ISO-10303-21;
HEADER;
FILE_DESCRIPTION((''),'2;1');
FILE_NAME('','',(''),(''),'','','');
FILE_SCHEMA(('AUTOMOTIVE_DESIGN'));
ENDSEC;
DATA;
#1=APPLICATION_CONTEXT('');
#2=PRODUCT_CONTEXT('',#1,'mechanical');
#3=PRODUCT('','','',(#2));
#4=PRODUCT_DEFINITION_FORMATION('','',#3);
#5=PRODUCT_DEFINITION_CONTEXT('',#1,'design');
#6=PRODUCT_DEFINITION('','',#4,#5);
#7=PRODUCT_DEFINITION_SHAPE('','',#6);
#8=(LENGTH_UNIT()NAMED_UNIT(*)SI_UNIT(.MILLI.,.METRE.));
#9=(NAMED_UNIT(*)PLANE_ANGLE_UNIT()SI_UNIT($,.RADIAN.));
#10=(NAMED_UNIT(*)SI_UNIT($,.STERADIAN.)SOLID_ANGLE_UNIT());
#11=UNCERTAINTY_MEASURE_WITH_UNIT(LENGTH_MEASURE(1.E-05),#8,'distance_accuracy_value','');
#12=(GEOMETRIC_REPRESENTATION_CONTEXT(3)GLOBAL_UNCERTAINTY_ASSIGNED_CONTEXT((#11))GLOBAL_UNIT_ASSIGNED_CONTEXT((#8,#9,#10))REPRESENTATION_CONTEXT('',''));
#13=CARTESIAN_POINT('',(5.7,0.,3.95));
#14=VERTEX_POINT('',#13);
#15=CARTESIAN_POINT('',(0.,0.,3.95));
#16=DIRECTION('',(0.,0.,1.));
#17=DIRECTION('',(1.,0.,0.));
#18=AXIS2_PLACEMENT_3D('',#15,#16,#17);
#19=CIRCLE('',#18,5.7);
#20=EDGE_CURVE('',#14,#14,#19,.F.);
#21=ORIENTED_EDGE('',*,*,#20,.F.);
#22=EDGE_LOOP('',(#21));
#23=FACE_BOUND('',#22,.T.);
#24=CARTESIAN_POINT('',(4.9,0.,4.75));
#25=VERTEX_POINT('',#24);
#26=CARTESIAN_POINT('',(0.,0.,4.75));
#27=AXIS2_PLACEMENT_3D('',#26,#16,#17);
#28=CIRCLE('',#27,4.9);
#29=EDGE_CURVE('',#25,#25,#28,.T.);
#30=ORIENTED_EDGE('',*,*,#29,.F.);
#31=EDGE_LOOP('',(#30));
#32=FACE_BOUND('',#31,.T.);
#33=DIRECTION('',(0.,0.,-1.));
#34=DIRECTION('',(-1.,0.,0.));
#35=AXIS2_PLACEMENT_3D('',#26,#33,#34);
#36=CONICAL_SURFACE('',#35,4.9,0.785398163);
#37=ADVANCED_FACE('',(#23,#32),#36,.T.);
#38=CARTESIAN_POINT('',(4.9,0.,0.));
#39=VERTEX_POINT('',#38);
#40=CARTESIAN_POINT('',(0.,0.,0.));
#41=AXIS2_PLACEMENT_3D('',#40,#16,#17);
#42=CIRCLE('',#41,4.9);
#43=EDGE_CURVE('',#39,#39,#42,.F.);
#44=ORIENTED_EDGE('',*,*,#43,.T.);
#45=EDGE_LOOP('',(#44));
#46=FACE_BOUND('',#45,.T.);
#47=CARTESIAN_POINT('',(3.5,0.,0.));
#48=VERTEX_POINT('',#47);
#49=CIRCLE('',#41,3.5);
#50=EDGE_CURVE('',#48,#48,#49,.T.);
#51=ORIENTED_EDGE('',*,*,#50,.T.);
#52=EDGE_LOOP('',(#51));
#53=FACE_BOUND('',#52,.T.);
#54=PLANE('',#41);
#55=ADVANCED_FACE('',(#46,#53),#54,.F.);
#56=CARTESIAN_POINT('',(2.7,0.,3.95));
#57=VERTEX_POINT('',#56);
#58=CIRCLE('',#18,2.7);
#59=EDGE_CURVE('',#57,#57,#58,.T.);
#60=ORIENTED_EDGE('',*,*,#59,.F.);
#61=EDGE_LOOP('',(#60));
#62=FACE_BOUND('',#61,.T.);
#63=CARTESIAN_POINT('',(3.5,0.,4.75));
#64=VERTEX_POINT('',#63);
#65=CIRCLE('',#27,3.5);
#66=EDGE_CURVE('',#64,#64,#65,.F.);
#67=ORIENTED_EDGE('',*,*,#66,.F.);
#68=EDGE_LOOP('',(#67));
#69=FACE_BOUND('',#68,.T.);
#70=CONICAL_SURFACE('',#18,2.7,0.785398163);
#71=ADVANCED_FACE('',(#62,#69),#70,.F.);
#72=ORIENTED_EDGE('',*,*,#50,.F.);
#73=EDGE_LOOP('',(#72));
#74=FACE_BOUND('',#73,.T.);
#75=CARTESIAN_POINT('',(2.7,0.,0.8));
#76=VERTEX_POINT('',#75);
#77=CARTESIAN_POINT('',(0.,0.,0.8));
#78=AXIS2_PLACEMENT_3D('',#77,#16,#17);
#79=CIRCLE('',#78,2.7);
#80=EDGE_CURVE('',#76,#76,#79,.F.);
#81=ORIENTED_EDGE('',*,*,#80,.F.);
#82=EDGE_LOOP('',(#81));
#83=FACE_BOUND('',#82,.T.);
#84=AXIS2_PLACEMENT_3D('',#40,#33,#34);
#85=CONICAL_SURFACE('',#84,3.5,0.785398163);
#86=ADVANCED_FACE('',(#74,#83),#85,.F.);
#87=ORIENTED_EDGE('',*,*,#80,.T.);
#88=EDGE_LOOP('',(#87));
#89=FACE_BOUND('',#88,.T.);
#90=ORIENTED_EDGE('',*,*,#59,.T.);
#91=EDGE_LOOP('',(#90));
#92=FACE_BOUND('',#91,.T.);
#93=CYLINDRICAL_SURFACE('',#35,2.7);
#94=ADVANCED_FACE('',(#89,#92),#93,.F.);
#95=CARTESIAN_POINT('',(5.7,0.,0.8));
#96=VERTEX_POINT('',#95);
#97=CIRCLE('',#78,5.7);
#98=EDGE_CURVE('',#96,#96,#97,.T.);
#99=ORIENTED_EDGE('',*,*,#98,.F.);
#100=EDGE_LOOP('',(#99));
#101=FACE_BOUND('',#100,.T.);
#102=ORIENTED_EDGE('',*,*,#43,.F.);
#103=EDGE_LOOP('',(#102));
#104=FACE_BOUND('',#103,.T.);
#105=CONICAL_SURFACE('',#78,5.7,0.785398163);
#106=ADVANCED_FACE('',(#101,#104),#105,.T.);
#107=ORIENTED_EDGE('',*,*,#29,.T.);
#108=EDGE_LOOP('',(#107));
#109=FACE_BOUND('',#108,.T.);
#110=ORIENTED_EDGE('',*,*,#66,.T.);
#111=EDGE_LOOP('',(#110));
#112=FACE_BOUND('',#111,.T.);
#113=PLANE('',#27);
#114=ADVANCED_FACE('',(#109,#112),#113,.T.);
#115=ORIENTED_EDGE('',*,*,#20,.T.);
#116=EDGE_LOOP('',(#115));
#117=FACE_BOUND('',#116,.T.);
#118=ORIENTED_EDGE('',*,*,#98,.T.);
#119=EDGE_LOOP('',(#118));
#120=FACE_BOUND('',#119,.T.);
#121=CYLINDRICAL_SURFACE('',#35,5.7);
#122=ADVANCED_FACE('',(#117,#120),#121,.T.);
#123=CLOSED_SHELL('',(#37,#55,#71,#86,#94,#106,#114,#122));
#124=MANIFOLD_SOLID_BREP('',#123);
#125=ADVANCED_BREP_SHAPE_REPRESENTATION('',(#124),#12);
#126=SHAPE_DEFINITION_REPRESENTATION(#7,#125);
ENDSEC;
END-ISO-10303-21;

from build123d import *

# Parameters (mm, degrees)
ESBO_O1_R                = 5.7
ESBO_O1_R_2              = 2.7
RESSALTO_EXTRUS_O1_DEPTH = 4.75
CHANFRO1_SIZE            = 0.8


with BuildPart() as part:
    # Esboço1 → Ressalto-extrusão1 (new body)
    with BuildSketch(Plane.XY):
        Circle(ESBO_O1_R)
        Circle(ESBO_O1_R_2, mode=Mode.SUBTRACT)
    extrude(amount=RESSALTO_EXTRUS_O1_DEPTH)

    # Chanfro1
    chanfro1_edges = [part.edges().sort_by_distance(p)[0] for p in [
        (-5.7, 0, 0),
        (-5.7, 0, 4.75),
        (-2.7, 0, 0),
        (-2.7, 0, 4.75),
    ]]
    chamfer(chanfro1_edges, length=CHANFRO1_SIZE)


solid = part.part
